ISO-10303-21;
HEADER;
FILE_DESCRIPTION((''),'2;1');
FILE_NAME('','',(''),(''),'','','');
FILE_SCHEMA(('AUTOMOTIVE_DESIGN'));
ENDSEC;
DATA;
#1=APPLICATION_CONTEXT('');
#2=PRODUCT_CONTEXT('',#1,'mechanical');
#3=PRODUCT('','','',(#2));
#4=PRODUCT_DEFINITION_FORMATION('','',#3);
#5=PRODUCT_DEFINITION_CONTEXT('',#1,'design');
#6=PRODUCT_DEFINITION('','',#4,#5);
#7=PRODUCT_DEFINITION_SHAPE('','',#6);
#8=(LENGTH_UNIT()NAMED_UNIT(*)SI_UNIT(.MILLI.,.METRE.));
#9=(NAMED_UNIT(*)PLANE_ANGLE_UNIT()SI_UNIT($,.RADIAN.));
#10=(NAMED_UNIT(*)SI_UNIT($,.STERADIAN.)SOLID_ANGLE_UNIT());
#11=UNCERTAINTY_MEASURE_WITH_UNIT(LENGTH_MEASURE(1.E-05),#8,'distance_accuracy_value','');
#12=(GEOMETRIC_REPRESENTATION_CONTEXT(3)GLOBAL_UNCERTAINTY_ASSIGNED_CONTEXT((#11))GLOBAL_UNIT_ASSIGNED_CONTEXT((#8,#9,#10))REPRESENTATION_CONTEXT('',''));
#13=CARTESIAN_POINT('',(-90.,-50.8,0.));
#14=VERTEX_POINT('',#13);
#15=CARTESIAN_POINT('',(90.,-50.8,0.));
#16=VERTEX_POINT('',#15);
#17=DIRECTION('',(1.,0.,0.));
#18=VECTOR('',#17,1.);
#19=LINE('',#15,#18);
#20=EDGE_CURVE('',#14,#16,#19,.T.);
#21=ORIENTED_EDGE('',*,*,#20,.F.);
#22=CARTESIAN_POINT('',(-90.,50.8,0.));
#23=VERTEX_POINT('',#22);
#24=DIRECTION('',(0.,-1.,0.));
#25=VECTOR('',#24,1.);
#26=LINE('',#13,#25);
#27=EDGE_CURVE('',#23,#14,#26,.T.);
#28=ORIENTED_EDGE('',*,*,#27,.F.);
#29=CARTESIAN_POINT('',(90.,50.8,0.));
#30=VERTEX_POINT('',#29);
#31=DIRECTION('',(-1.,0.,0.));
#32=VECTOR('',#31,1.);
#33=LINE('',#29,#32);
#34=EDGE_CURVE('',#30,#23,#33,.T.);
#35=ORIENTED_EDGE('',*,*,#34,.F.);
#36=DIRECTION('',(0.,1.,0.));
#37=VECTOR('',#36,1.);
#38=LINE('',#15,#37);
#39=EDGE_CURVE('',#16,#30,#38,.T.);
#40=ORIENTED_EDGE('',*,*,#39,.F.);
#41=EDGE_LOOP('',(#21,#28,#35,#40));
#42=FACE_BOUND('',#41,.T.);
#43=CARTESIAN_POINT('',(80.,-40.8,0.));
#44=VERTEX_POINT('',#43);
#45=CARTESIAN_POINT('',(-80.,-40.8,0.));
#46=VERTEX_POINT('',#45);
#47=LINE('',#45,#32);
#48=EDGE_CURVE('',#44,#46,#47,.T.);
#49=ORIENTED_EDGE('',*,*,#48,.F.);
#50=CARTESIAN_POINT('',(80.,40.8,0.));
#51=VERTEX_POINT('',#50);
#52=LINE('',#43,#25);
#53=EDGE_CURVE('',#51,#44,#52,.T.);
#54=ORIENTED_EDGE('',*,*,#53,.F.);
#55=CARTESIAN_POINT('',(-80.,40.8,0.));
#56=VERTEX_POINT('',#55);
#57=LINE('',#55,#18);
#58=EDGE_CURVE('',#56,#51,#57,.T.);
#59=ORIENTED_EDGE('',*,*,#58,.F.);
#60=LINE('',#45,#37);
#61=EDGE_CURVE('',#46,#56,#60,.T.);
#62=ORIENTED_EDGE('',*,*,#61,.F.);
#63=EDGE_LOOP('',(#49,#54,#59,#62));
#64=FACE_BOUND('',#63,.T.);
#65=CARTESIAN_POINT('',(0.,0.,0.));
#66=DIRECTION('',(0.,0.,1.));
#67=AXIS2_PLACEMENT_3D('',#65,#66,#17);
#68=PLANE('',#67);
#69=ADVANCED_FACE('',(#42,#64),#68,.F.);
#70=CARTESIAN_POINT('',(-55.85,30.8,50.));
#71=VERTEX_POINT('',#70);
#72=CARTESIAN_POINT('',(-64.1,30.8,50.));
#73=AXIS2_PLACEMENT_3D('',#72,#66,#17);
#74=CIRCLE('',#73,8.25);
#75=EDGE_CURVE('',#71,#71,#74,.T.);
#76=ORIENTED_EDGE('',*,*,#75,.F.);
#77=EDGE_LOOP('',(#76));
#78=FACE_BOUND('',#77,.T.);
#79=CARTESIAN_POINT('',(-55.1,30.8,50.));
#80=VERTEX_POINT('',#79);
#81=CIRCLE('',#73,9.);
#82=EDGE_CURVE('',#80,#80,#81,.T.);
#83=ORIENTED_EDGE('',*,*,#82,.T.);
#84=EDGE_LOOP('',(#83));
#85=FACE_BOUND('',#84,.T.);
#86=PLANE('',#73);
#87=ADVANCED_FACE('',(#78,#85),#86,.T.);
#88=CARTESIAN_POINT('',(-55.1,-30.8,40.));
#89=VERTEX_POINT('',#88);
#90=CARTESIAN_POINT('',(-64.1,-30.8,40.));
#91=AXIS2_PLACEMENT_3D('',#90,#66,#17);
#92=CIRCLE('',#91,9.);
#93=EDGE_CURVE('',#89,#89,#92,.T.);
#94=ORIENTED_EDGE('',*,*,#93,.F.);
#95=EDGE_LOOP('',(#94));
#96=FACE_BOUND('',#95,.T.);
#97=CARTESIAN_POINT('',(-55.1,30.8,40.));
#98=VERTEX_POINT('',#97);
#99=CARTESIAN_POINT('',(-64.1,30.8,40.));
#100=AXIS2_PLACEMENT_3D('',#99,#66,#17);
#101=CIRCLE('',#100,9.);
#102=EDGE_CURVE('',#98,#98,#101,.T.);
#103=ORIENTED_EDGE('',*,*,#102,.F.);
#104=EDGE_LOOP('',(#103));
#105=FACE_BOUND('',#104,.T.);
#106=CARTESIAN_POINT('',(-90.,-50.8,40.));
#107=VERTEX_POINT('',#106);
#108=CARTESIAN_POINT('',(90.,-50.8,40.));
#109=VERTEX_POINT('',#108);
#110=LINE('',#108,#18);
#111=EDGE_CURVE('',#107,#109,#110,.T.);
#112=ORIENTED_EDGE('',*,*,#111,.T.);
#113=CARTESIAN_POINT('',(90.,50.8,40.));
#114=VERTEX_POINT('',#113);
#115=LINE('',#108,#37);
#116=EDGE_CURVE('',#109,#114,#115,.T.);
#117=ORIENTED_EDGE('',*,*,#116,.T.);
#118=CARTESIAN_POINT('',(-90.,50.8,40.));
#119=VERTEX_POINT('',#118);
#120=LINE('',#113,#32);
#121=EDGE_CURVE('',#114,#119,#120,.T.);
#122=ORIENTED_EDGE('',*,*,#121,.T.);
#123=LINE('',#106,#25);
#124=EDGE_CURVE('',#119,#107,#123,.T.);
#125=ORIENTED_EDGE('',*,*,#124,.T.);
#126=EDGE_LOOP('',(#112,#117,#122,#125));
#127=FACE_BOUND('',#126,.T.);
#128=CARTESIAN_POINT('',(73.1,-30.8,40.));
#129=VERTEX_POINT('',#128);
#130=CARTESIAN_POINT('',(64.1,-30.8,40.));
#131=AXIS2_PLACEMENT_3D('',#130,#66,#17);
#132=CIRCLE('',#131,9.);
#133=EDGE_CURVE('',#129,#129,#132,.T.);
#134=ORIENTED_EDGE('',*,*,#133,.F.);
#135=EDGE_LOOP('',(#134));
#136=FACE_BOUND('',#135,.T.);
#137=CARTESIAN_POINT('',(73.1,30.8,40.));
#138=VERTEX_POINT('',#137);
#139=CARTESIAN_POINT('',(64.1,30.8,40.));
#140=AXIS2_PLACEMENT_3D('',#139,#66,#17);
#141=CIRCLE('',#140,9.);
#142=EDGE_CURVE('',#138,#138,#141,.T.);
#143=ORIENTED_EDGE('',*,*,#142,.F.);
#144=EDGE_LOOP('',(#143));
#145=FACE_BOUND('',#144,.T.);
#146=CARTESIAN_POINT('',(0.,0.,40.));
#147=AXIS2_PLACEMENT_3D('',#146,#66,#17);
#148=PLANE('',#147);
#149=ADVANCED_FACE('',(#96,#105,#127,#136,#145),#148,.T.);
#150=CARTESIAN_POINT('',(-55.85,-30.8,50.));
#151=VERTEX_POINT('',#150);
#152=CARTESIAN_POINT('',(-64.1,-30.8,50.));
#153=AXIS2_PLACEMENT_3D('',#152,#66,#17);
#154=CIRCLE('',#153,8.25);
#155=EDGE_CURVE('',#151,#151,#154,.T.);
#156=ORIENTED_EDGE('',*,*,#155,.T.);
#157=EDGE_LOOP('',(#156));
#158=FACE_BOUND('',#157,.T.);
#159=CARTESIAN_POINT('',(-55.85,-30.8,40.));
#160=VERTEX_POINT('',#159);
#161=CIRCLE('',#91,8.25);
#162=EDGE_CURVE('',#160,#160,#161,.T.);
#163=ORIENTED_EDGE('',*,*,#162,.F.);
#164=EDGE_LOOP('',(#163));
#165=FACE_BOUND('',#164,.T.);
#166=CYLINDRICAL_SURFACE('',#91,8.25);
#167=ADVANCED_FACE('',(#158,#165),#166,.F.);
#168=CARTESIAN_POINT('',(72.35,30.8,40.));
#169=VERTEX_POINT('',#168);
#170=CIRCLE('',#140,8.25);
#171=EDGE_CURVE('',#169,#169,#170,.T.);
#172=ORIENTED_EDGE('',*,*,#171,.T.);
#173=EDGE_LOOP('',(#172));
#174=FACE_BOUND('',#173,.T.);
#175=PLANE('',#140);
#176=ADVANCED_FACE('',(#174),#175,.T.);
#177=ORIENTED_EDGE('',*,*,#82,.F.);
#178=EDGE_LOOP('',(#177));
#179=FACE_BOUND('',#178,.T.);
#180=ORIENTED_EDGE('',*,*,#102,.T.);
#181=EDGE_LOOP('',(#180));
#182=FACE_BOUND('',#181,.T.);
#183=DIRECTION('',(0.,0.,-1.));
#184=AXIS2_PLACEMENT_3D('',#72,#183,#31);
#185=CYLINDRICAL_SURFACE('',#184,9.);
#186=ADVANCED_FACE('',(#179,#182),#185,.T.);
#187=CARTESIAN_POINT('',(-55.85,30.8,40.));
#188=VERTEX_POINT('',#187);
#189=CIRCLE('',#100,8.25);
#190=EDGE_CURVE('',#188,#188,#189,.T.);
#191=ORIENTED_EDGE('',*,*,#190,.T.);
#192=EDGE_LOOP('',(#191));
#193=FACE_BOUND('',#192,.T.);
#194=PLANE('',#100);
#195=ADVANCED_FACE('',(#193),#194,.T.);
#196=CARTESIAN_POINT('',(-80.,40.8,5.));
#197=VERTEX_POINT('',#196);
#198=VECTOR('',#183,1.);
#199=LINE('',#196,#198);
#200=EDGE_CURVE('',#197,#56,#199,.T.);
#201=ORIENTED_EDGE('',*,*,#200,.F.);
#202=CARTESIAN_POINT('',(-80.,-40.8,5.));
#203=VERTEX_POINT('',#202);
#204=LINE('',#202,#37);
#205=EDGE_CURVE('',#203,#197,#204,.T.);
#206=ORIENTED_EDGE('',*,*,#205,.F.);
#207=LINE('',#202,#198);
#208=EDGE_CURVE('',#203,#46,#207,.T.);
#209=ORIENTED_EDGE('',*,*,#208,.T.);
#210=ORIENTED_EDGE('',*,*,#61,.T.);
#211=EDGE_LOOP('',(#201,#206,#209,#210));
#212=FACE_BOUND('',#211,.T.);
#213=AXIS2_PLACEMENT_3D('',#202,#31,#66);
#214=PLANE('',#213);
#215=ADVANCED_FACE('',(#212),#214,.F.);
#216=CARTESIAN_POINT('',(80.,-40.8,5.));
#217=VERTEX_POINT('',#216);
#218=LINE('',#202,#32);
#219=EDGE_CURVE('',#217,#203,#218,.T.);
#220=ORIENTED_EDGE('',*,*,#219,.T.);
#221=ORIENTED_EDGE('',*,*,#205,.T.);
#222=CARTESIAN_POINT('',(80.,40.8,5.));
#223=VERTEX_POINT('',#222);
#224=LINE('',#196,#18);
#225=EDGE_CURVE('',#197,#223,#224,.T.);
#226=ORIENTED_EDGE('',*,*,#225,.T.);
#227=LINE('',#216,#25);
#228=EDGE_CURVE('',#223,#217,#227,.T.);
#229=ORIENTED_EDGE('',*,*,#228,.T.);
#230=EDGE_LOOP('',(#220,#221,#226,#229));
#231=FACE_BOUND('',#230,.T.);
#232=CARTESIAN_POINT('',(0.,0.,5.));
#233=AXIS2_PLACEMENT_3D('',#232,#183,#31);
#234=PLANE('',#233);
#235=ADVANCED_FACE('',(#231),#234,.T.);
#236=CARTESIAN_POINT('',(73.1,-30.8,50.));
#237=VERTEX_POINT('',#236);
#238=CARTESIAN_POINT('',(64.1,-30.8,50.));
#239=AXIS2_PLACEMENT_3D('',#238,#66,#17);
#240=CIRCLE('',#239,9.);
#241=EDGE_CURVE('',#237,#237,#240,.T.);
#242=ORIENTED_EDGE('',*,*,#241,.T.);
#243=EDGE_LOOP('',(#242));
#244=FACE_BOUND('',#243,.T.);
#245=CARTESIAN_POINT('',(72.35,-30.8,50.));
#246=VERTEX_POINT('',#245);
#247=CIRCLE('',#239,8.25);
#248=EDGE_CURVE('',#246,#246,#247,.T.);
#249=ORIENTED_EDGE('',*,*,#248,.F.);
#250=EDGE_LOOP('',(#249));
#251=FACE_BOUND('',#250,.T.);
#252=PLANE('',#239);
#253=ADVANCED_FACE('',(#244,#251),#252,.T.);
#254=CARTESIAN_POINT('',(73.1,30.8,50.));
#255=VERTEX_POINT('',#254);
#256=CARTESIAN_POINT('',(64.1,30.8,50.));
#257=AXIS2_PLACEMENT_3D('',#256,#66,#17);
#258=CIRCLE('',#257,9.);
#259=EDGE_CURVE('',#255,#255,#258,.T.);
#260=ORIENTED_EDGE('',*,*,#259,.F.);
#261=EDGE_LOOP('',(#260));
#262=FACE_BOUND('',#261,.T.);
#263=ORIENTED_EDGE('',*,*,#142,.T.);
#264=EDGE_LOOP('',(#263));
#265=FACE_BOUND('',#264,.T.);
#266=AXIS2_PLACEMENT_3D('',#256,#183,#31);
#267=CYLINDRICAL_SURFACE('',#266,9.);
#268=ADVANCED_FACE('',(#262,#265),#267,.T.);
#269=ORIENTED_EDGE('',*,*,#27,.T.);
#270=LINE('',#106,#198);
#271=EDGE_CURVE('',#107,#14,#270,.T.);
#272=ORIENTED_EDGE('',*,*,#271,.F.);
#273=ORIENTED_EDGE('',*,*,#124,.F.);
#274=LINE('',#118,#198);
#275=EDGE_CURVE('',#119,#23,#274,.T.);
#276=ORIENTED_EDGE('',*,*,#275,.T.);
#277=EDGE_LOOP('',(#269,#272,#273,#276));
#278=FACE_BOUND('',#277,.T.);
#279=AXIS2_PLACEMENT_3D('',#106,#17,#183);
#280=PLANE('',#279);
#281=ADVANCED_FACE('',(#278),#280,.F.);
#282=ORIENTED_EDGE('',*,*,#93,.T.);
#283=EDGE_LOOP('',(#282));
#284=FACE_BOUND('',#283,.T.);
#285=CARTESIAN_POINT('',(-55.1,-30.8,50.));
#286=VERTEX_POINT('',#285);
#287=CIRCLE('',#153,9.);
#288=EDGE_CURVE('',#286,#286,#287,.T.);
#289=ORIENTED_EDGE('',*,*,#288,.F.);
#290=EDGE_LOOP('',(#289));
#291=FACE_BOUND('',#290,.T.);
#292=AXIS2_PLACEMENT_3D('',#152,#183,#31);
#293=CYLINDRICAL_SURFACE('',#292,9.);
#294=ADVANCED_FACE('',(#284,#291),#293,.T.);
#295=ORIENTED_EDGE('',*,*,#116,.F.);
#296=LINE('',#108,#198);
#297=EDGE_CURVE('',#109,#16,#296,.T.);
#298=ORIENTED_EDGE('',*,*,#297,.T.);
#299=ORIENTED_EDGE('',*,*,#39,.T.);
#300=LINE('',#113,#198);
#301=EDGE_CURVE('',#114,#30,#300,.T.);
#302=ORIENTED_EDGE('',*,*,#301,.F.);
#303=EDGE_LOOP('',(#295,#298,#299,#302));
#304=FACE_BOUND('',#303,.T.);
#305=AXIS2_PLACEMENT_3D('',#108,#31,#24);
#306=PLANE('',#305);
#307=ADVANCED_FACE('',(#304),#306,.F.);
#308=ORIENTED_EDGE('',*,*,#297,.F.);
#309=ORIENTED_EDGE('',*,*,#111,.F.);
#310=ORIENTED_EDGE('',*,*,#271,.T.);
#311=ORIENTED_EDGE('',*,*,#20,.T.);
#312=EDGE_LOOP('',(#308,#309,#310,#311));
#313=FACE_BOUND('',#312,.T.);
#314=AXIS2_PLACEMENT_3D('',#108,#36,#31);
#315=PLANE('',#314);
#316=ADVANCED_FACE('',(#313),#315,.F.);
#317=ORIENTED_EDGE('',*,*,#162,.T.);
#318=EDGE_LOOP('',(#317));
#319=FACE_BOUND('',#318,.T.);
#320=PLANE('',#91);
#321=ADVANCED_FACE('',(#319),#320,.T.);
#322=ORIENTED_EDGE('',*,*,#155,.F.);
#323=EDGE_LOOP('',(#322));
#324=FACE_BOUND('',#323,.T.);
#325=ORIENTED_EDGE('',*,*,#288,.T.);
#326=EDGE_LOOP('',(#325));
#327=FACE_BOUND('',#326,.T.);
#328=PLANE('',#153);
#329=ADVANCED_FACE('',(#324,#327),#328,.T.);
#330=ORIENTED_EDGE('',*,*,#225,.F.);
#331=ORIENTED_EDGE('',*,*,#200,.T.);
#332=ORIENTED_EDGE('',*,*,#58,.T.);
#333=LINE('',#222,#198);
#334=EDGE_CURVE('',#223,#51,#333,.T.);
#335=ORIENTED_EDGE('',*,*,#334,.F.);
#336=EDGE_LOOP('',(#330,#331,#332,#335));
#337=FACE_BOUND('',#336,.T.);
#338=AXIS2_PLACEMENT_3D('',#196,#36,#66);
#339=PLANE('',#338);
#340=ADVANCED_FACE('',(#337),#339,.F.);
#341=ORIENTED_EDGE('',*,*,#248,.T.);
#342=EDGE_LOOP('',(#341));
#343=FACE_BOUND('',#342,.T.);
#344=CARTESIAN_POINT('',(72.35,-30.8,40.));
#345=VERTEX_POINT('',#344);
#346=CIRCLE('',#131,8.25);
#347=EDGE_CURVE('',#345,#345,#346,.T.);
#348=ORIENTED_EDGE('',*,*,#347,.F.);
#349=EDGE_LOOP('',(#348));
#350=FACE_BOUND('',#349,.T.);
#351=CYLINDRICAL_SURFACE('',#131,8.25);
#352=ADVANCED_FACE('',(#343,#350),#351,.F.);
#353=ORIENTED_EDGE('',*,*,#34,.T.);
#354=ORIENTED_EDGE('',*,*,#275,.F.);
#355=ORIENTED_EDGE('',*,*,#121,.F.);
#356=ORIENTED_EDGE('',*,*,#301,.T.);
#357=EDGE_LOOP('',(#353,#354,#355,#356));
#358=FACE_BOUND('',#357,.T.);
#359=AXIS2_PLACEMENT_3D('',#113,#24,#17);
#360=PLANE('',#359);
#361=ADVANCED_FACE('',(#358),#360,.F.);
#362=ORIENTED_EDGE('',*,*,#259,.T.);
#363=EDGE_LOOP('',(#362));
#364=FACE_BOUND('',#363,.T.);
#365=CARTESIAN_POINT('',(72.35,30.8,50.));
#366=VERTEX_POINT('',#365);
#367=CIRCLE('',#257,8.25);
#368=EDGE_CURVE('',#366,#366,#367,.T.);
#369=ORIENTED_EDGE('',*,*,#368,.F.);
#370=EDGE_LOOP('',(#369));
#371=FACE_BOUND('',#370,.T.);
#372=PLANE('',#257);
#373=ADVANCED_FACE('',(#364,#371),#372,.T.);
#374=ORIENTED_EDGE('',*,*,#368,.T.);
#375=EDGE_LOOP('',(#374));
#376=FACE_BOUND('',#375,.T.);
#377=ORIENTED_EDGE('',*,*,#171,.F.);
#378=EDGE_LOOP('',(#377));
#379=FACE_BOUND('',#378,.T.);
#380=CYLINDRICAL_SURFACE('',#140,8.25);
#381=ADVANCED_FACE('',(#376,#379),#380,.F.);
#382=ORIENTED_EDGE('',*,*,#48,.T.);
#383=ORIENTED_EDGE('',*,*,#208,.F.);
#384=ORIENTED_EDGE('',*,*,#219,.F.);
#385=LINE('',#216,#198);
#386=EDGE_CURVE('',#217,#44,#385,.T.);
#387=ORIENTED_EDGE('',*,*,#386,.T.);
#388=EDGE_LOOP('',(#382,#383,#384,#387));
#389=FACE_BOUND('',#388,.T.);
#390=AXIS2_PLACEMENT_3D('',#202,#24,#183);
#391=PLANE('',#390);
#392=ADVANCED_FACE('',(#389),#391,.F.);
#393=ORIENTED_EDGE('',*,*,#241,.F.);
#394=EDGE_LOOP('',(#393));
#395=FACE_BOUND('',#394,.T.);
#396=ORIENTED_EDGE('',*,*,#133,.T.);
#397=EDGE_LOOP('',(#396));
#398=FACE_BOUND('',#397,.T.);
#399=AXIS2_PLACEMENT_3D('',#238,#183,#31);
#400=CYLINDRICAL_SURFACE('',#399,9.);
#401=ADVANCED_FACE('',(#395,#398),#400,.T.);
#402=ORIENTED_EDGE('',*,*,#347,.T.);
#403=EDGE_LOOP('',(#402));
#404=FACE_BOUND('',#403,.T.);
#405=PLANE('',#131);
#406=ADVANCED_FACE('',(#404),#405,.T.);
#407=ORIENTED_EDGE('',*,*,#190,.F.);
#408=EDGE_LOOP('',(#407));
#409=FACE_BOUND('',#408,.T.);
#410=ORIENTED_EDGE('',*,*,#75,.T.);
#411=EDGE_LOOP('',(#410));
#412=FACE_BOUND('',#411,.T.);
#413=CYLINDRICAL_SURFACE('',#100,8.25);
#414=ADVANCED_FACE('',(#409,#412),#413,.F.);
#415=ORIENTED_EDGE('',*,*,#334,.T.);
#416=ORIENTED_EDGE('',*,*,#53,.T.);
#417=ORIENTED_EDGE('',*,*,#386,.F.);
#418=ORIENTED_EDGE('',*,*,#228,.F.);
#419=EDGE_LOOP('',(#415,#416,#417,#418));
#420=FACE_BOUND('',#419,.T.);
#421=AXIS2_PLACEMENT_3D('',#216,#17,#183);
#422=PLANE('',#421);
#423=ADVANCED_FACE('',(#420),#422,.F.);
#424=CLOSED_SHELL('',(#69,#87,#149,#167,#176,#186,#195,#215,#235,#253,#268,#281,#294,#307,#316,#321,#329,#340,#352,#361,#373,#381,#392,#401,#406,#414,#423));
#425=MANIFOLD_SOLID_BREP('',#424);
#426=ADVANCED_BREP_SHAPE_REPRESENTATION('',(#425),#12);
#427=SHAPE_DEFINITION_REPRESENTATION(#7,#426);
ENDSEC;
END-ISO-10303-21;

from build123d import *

# Parameters (mm, degrees)
SKETCH1_W           = 180
SKETCH1_H           = 101.6
BOSS_EXTRUDE1_DEPTH = 40
SKETCH3_W           = 160
SKETCH3_H           = 81.6
CUT_EXTRUDE3_DEPTH  = 5
SKETCH4_R           = 9
BOSS_EXTRUDE2_DEPTH = 10
SKETCH5_R           = 8.25
CUT_EXTRUDE4_DEPTH  = 10


with BuildPart() as part:
    # Sketch1 → Boss-Extrude1 (new body)
    with BuildSketch(Plane.XY):
        Rectangle(SKETCH1_W, SKETCH1_H)
    extrude(amount=BOSS_EXTRUDE1_DEPTH)

    # Sketch3 → Cut-Extrude3 (cut)
    with BuildSketch(Plane(origin=(0, 0, 0), x_dir=(-1, 0, 0), z_dir=(0, 0, -1))):
        Rectangle(SKETCH3_W, SKETCH3_H)
    extrude(amount=-CUT_EXTRUDE3_DEPTH, mode=Mode.SUBTRACT)

    # Sketch4 → Boss-Extrude2 (add)
    with BuildSketch(Plane.XY.offset(40)):
        with Locations((-64.1, 30.8)):
            Circle(SKETCH4_R)
        with Locations((-64.1, -30.8)):
            Circle(SKETCH4_R)
        with Locations((64.1, 30.8)):
            Circle(SKETCH4_R)
        with Locations((64.1, -30.8)):
            Circle(SKETCH4_R)
    extrude(amount=BOSS_EXTRUDE2_DEPTH)

    # Sketch5 → Cut-Extrude4 (cut)
    with BuildSketch(Plane.XY.offset(50)):
        with Locations((-64.1, 30.8)):
            Circle(SKETCH5_R)
        with Locations((64.1, 30.8)):
            Circle(SKETCH5_R)
        with Locations((64.1, -30.8)):
            Circle(SKETCH5_R)
        with Locations((-64.1, -30.8)):
            Circle(SKETCH5_R)
    extrude(amount=-CUT_EXTRUDE4_DEPTH, mode=Mode.SUBTRACT)


solid = part.part
